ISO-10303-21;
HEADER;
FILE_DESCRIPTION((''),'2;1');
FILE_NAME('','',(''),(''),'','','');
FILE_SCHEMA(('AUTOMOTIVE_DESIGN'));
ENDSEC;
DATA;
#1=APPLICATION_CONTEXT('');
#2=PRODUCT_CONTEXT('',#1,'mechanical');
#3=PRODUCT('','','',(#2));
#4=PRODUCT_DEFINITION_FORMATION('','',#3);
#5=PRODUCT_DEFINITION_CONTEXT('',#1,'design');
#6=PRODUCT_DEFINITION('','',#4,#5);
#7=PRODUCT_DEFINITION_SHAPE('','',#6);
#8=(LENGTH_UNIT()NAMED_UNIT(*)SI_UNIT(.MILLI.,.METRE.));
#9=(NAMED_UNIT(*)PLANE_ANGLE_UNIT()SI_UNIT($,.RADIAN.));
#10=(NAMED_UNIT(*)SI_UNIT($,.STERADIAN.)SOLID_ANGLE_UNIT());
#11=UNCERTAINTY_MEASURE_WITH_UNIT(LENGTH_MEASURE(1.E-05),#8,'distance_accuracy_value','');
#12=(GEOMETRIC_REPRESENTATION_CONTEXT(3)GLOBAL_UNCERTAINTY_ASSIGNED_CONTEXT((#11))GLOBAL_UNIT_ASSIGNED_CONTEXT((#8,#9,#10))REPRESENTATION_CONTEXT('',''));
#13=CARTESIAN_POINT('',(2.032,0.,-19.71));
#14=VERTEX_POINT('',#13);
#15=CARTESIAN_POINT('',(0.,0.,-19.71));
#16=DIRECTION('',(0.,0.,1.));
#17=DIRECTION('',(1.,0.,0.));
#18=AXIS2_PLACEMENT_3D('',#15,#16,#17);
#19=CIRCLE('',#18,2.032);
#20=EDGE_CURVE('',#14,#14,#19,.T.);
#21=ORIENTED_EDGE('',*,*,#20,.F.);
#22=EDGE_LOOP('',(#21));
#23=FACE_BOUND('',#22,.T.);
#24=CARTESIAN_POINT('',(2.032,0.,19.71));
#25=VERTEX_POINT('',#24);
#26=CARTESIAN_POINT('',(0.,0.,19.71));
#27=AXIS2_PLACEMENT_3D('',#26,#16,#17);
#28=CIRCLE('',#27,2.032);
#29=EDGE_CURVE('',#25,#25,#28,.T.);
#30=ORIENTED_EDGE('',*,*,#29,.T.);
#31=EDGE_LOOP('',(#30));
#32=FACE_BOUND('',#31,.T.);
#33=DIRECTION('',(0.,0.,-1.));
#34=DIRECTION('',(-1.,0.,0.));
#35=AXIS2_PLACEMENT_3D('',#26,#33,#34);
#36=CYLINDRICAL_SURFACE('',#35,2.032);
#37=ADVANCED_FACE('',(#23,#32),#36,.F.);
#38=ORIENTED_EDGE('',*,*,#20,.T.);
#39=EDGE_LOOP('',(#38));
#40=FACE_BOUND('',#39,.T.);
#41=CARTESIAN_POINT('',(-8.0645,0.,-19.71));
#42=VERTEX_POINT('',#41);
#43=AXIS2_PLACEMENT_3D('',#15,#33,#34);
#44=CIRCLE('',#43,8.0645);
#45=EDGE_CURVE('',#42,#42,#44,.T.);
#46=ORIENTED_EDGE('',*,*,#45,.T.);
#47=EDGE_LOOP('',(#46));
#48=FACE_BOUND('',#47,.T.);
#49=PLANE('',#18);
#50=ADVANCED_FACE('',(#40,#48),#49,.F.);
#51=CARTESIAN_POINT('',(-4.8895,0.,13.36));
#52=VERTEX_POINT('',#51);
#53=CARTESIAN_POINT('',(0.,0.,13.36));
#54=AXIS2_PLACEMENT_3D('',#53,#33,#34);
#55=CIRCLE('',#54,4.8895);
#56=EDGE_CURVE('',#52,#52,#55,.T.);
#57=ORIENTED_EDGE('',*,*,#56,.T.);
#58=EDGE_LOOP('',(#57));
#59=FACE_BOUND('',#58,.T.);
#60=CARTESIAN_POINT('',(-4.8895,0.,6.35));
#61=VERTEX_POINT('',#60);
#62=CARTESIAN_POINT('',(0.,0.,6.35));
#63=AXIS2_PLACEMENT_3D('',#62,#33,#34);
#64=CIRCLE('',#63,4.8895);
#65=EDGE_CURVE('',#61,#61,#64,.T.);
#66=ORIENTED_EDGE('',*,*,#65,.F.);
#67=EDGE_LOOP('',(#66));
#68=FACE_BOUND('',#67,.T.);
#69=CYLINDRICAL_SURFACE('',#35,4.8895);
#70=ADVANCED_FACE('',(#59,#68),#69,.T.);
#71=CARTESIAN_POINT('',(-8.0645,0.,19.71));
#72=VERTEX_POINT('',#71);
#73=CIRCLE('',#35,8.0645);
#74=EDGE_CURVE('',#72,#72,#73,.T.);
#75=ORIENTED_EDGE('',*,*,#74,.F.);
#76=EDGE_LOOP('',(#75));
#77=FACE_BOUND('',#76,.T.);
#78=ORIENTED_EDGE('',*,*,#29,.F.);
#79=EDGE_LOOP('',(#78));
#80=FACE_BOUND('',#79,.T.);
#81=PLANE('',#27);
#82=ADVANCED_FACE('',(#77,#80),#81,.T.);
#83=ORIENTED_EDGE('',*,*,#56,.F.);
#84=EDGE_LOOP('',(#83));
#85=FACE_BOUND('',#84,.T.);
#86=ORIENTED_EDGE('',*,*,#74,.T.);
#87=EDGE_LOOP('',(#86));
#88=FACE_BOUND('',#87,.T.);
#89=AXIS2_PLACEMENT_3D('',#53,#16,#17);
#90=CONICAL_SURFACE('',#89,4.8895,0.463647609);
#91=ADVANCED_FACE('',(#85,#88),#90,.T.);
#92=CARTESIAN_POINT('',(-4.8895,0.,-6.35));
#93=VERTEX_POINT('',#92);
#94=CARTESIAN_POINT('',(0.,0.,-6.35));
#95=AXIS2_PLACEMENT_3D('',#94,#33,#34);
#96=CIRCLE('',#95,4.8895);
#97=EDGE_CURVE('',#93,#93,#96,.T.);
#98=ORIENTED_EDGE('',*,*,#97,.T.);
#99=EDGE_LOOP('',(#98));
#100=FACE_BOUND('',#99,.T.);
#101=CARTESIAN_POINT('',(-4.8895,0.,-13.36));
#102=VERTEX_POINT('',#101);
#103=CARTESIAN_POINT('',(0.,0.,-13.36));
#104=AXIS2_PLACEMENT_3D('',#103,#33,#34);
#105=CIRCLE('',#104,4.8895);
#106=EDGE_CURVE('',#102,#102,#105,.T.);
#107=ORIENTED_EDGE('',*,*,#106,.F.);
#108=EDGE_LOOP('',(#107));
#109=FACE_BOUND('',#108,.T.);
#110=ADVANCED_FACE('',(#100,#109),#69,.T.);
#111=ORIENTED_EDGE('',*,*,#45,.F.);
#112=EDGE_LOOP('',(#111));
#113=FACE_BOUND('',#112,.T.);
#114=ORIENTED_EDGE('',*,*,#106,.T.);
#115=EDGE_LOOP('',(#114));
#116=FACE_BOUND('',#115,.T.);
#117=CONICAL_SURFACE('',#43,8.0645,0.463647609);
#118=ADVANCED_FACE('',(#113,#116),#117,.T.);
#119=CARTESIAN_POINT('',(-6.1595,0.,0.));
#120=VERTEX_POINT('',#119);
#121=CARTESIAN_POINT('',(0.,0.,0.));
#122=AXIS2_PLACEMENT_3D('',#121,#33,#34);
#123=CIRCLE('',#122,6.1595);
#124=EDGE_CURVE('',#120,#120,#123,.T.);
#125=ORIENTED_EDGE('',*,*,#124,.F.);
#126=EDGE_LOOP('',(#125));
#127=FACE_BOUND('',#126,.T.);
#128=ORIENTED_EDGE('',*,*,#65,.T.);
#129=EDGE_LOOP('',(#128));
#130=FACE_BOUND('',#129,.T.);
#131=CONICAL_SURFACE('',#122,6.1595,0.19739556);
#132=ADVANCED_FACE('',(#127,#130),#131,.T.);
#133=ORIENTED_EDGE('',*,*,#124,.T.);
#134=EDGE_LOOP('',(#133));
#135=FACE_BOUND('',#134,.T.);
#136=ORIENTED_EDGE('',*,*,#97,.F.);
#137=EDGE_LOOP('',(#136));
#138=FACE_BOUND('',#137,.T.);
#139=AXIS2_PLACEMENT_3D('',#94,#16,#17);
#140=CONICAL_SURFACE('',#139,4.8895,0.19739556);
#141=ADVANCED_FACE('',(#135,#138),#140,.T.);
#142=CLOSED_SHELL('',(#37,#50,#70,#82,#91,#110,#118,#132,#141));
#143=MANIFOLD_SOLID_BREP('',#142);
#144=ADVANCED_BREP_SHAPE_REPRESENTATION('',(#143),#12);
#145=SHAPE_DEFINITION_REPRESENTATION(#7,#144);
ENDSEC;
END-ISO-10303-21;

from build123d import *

# Parameters (mm, degrees)
ESQUISSE1_R        = 4.8895
ESQUISSE1_R_2      = 2.032
BOSS_EXTRU_1_DEPTH = 19.71


with BuildPart() as part:
    # Esquisse1 → Boss.-Extru.1 (new, symmetric)
    with BuildSketch(Plane.XY):
        Circle(ESQUISSE1_R)
        Circle(ESQUISSE1_R_2, mode=Mode.SUBTRACT)
    extrude(amount=BOSS_EXTRU_1_DEPTH, both=True)

    # Esquisse2 → Révolution1 (revolve)
    with BuildSketch(Plane(origin=(0, 0, 0), x_dir=(0, 0, -1), z_dir=(1, 0, 0)), mode=Mode.PRIVATE) as r_volution1_sk:
        Polygon((-13.36, 4.8895), (-19.71, 8.0645), (-19.71, 4.8895), align=None)
        Polygon((0, 6.1595), (-6.35, 4.8895), (0, 4.8895), (6.35, 4.8895), align=None)
        Polygon((19.71, 4.8895), (19.71, 8.0645), (13.36, 4.8895), align=None)
    revolve(r_volution1_sk.sketch.rotate(Axis((0, 0, 0), (0, 0, 1)), 90), axis=Axis((0, 0, 0), (0, 0, 1)))


solid = part.part
